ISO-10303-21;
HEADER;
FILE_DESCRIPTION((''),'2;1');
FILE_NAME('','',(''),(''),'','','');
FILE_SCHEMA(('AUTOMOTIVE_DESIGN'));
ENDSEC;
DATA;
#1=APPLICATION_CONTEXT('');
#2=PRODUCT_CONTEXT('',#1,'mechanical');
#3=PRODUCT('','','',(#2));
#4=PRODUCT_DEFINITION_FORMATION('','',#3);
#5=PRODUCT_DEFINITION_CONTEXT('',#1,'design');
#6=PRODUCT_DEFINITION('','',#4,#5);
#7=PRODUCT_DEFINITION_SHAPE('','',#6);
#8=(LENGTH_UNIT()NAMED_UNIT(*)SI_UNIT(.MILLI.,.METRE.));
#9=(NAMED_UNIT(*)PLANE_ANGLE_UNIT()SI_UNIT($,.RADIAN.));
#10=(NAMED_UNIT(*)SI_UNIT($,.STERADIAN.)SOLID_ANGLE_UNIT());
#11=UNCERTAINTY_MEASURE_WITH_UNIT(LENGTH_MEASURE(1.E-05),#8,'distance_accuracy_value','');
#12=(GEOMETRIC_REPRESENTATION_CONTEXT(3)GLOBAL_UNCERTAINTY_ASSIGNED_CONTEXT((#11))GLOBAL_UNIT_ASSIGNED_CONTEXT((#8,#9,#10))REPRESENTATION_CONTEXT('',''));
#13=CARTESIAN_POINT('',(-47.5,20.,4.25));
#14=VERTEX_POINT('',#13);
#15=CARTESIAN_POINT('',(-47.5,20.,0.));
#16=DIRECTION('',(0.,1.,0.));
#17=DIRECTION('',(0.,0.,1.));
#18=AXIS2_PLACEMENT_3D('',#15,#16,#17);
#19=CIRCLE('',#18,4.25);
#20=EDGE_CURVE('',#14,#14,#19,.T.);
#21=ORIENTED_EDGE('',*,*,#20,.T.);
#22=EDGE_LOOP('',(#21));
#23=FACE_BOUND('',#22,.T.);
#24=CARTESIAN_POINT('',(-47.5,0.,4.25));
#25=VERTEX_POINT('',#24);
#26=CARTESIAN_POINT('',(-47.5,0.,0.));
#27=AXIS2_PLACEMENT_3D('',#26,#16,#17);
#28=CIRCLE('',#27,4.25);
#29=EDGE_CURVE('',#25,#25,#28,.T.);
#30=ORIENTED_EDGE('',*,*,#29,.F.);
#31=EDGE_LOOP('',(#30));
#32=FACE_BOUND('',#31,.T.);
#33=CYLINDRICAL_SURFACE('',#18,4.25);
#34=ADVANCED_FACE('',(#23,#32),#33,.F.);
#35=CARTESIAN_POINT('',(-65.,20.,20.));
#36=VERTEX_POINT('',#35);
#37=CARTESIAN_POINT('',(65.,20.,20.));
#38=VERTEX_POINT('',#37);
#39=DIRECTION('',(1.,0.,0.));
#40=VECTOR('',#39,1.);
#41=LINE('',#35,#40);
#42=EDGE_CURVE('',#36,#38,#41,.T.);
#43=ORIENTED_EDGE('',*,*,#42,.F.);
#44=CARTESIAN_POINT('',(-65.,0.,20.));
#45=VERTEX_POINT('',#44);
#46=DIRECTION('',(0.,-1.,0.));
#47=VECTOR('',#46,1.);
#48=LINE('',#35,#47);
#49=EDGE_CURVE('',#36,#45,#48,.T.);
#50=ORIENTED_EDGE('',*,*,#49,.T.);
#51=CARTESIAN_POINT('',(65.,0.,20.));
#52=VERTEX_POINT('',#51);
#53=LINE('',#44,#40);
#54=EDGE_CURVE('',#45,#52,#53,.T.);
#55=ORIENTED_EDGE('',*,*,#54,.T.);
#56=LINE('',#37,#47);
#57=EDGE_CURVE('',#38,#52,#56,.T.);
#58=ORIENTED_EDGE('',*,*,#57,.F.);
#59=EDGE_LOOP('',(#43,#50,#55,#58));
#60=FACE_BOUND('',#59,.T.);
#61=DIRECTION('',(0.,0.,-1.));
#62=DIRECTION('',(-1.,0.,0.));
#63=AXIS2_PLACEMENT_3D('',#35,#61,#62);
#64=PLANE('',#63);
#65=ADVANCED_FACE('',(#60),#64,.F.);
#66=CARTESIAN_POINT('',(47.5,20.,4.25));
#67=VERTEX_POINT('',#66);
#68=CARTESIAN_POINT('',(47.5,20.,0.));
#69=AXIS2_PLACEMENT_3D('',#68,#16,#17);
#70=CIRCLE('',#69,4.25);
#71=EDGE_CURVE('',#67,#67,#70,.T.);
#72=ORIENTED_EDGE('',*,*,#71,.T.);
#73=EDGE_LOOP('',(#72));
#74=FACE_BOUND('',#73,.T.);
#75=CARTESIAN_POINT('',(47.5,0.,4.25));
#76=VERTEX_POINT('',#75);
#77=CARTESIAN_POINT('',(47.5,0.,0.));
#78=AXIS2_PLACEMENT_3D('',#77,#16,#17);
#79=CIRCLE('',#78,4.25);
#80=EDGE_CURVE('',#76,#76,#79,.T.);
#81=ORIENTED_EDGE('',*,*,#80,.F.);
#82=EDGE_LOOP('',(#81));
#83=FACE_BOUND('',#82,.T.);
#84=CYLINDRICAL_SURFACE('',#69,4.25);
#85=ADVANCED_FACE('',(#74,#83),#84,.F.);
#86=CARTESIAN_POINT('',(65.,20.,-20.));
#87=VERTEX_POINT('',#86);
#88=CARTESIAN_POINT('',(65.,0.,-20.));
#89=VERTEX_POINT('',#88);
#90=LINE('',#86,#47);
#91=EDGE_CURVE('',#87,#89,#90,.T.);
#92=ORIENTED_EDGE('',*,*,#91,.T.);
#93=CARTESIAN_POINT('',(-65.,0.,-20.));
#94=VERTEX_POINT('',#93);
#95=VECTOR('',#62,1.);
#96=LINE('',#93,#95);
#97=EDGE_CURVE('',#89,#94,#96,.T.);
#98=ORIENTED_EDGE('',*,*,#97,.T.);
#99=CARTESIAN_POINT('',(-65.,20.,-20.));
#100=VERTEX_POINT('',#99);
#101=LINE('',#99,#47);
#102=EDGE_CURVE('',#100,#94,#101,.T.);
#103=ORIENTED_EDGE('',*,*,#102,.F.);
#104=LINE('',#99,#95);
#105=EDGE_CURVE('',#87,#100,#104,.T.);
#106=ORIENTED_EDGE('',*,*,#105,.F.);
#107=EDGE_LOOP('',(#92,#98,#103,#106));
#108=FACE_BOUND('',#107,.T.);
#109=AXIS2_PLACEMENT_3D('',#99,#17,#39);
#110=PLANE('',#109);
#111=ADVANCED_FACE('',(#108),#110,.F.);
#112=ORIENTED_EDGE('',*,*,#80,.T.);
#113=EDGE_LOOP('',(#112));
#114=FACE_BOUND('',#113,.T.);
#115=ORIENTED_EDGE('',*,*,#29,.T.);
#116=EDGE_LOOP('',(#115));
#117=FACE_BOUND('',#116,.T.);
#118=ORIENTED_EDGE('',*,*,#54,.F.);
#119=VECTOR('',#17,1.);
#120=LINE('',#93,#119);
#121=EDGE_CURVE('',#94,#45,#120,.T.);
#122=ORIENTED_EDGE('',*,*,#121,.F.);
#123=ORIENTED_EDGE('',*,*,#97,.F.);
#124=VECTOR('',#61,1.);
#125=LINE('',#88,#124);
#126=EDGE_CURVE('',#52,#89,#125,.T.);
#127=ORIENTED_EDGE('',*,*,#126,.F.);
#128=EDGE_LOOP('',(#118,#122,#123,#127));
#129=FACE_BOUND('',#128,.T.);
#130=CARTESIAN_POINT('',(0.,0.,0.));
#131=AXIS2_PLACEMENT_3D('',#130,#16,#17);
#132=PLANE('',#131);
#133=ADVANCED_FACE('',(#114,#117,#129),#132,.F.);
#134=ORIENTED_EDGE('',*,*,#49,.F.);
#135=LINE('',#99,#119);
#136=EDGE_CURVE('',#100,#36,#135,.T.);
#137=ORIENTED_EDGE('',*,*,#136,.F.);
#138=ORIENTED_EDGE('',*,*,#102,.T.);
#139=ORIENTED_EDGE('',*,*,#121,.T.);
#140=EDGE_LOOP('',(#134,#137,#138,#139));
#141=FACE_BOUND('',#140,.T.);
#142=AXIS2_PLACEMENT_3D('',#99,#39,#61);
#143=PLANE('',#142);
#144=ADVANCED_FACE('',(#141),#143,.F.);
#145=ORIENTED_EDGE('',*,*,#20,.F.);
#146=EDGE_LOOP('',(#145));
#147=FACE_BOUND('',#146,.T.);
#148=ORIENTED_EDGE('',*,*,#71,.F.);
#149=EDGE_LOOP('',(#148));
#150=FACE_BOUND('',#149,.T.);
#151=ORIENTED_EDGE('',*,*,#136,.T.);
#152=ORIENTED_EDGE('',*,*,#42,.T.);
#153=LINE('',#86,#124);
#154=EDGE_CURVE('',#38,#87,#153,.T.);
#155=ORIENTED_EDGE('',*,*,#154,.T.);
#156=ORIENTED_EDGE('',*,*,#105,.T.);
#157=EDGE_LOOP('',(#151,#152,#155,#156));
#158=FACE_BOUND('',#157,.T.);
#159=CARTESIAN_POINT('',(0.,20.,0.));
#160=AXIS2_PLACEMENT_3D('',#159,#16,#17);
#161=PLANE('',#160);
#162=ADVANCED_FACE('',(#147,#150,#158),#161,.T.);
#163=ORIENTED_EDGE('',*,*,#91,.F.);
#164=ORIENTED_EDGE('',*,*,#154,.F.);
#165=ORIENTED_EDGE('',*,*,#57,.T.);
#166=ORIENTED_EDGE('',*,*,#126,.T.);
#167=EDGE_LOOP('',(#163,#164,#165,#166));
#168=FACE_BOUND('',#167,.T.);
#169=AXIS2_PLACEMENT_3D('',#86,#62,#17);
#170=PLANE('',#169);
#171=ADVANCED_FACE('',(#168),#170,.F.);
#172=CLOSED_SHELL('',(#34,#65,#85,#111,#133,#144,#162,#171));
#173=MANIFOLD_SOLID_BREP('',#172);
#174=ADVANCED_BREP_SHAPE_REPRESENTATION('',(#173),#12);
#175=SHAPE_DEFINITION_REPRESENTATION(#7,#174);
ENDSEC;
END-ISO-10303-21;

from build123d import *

# Parameters (mm, degrees)
SKETCH_1_W              = 130
SKETCH_1_H              = 40
EXTRUDE_1_DEPTH         = 20
HOLE_WIZARD_M10_1_D     = 8.5
HOLE_WIZARD_M10_1_DEPTH = 24.5
HOLE_WIZARD_M10_1_TIP   = 2.553657631


with BuildPart() as part:
    # 草图1 → 凸台-拉伸1 (new body)
    with BuildSketch(Plane(origin=(0, 0, 0), x_dir=(1, 0, 0), z_dir=(0, 1, 0))):
        Rectangle(SKETCH_1_W, SKETCH_1_H)
    extrude(amount=EXTRUDE_1_DEPTH)

    # M10 螺纹孔1
    with Locations(Plane(origin=(0, 20, 0), x_dir=(1, 0, 0), z_dir=(0, 1, 0))):
        with Locations((47.5, 0), (-47.5, 0)):
            Hole(HOLE_WIZARD_M10_1_D / 2, depth=HOLE_WIZARD_M10_1_DEPTH)
            with Locations((0, 0, -(HOLE_WIZARD_M10_1_DEPTH + HOLE_WIZARD_M10_1_TIP / 2))):  # 118° drill point
                Cone(0, HOLE_WIZARD_M10_1_D / 2, HOLE_WIZARD_M10_1_TIP, mode=Mode.SUBTRACT)


solid = part.part
